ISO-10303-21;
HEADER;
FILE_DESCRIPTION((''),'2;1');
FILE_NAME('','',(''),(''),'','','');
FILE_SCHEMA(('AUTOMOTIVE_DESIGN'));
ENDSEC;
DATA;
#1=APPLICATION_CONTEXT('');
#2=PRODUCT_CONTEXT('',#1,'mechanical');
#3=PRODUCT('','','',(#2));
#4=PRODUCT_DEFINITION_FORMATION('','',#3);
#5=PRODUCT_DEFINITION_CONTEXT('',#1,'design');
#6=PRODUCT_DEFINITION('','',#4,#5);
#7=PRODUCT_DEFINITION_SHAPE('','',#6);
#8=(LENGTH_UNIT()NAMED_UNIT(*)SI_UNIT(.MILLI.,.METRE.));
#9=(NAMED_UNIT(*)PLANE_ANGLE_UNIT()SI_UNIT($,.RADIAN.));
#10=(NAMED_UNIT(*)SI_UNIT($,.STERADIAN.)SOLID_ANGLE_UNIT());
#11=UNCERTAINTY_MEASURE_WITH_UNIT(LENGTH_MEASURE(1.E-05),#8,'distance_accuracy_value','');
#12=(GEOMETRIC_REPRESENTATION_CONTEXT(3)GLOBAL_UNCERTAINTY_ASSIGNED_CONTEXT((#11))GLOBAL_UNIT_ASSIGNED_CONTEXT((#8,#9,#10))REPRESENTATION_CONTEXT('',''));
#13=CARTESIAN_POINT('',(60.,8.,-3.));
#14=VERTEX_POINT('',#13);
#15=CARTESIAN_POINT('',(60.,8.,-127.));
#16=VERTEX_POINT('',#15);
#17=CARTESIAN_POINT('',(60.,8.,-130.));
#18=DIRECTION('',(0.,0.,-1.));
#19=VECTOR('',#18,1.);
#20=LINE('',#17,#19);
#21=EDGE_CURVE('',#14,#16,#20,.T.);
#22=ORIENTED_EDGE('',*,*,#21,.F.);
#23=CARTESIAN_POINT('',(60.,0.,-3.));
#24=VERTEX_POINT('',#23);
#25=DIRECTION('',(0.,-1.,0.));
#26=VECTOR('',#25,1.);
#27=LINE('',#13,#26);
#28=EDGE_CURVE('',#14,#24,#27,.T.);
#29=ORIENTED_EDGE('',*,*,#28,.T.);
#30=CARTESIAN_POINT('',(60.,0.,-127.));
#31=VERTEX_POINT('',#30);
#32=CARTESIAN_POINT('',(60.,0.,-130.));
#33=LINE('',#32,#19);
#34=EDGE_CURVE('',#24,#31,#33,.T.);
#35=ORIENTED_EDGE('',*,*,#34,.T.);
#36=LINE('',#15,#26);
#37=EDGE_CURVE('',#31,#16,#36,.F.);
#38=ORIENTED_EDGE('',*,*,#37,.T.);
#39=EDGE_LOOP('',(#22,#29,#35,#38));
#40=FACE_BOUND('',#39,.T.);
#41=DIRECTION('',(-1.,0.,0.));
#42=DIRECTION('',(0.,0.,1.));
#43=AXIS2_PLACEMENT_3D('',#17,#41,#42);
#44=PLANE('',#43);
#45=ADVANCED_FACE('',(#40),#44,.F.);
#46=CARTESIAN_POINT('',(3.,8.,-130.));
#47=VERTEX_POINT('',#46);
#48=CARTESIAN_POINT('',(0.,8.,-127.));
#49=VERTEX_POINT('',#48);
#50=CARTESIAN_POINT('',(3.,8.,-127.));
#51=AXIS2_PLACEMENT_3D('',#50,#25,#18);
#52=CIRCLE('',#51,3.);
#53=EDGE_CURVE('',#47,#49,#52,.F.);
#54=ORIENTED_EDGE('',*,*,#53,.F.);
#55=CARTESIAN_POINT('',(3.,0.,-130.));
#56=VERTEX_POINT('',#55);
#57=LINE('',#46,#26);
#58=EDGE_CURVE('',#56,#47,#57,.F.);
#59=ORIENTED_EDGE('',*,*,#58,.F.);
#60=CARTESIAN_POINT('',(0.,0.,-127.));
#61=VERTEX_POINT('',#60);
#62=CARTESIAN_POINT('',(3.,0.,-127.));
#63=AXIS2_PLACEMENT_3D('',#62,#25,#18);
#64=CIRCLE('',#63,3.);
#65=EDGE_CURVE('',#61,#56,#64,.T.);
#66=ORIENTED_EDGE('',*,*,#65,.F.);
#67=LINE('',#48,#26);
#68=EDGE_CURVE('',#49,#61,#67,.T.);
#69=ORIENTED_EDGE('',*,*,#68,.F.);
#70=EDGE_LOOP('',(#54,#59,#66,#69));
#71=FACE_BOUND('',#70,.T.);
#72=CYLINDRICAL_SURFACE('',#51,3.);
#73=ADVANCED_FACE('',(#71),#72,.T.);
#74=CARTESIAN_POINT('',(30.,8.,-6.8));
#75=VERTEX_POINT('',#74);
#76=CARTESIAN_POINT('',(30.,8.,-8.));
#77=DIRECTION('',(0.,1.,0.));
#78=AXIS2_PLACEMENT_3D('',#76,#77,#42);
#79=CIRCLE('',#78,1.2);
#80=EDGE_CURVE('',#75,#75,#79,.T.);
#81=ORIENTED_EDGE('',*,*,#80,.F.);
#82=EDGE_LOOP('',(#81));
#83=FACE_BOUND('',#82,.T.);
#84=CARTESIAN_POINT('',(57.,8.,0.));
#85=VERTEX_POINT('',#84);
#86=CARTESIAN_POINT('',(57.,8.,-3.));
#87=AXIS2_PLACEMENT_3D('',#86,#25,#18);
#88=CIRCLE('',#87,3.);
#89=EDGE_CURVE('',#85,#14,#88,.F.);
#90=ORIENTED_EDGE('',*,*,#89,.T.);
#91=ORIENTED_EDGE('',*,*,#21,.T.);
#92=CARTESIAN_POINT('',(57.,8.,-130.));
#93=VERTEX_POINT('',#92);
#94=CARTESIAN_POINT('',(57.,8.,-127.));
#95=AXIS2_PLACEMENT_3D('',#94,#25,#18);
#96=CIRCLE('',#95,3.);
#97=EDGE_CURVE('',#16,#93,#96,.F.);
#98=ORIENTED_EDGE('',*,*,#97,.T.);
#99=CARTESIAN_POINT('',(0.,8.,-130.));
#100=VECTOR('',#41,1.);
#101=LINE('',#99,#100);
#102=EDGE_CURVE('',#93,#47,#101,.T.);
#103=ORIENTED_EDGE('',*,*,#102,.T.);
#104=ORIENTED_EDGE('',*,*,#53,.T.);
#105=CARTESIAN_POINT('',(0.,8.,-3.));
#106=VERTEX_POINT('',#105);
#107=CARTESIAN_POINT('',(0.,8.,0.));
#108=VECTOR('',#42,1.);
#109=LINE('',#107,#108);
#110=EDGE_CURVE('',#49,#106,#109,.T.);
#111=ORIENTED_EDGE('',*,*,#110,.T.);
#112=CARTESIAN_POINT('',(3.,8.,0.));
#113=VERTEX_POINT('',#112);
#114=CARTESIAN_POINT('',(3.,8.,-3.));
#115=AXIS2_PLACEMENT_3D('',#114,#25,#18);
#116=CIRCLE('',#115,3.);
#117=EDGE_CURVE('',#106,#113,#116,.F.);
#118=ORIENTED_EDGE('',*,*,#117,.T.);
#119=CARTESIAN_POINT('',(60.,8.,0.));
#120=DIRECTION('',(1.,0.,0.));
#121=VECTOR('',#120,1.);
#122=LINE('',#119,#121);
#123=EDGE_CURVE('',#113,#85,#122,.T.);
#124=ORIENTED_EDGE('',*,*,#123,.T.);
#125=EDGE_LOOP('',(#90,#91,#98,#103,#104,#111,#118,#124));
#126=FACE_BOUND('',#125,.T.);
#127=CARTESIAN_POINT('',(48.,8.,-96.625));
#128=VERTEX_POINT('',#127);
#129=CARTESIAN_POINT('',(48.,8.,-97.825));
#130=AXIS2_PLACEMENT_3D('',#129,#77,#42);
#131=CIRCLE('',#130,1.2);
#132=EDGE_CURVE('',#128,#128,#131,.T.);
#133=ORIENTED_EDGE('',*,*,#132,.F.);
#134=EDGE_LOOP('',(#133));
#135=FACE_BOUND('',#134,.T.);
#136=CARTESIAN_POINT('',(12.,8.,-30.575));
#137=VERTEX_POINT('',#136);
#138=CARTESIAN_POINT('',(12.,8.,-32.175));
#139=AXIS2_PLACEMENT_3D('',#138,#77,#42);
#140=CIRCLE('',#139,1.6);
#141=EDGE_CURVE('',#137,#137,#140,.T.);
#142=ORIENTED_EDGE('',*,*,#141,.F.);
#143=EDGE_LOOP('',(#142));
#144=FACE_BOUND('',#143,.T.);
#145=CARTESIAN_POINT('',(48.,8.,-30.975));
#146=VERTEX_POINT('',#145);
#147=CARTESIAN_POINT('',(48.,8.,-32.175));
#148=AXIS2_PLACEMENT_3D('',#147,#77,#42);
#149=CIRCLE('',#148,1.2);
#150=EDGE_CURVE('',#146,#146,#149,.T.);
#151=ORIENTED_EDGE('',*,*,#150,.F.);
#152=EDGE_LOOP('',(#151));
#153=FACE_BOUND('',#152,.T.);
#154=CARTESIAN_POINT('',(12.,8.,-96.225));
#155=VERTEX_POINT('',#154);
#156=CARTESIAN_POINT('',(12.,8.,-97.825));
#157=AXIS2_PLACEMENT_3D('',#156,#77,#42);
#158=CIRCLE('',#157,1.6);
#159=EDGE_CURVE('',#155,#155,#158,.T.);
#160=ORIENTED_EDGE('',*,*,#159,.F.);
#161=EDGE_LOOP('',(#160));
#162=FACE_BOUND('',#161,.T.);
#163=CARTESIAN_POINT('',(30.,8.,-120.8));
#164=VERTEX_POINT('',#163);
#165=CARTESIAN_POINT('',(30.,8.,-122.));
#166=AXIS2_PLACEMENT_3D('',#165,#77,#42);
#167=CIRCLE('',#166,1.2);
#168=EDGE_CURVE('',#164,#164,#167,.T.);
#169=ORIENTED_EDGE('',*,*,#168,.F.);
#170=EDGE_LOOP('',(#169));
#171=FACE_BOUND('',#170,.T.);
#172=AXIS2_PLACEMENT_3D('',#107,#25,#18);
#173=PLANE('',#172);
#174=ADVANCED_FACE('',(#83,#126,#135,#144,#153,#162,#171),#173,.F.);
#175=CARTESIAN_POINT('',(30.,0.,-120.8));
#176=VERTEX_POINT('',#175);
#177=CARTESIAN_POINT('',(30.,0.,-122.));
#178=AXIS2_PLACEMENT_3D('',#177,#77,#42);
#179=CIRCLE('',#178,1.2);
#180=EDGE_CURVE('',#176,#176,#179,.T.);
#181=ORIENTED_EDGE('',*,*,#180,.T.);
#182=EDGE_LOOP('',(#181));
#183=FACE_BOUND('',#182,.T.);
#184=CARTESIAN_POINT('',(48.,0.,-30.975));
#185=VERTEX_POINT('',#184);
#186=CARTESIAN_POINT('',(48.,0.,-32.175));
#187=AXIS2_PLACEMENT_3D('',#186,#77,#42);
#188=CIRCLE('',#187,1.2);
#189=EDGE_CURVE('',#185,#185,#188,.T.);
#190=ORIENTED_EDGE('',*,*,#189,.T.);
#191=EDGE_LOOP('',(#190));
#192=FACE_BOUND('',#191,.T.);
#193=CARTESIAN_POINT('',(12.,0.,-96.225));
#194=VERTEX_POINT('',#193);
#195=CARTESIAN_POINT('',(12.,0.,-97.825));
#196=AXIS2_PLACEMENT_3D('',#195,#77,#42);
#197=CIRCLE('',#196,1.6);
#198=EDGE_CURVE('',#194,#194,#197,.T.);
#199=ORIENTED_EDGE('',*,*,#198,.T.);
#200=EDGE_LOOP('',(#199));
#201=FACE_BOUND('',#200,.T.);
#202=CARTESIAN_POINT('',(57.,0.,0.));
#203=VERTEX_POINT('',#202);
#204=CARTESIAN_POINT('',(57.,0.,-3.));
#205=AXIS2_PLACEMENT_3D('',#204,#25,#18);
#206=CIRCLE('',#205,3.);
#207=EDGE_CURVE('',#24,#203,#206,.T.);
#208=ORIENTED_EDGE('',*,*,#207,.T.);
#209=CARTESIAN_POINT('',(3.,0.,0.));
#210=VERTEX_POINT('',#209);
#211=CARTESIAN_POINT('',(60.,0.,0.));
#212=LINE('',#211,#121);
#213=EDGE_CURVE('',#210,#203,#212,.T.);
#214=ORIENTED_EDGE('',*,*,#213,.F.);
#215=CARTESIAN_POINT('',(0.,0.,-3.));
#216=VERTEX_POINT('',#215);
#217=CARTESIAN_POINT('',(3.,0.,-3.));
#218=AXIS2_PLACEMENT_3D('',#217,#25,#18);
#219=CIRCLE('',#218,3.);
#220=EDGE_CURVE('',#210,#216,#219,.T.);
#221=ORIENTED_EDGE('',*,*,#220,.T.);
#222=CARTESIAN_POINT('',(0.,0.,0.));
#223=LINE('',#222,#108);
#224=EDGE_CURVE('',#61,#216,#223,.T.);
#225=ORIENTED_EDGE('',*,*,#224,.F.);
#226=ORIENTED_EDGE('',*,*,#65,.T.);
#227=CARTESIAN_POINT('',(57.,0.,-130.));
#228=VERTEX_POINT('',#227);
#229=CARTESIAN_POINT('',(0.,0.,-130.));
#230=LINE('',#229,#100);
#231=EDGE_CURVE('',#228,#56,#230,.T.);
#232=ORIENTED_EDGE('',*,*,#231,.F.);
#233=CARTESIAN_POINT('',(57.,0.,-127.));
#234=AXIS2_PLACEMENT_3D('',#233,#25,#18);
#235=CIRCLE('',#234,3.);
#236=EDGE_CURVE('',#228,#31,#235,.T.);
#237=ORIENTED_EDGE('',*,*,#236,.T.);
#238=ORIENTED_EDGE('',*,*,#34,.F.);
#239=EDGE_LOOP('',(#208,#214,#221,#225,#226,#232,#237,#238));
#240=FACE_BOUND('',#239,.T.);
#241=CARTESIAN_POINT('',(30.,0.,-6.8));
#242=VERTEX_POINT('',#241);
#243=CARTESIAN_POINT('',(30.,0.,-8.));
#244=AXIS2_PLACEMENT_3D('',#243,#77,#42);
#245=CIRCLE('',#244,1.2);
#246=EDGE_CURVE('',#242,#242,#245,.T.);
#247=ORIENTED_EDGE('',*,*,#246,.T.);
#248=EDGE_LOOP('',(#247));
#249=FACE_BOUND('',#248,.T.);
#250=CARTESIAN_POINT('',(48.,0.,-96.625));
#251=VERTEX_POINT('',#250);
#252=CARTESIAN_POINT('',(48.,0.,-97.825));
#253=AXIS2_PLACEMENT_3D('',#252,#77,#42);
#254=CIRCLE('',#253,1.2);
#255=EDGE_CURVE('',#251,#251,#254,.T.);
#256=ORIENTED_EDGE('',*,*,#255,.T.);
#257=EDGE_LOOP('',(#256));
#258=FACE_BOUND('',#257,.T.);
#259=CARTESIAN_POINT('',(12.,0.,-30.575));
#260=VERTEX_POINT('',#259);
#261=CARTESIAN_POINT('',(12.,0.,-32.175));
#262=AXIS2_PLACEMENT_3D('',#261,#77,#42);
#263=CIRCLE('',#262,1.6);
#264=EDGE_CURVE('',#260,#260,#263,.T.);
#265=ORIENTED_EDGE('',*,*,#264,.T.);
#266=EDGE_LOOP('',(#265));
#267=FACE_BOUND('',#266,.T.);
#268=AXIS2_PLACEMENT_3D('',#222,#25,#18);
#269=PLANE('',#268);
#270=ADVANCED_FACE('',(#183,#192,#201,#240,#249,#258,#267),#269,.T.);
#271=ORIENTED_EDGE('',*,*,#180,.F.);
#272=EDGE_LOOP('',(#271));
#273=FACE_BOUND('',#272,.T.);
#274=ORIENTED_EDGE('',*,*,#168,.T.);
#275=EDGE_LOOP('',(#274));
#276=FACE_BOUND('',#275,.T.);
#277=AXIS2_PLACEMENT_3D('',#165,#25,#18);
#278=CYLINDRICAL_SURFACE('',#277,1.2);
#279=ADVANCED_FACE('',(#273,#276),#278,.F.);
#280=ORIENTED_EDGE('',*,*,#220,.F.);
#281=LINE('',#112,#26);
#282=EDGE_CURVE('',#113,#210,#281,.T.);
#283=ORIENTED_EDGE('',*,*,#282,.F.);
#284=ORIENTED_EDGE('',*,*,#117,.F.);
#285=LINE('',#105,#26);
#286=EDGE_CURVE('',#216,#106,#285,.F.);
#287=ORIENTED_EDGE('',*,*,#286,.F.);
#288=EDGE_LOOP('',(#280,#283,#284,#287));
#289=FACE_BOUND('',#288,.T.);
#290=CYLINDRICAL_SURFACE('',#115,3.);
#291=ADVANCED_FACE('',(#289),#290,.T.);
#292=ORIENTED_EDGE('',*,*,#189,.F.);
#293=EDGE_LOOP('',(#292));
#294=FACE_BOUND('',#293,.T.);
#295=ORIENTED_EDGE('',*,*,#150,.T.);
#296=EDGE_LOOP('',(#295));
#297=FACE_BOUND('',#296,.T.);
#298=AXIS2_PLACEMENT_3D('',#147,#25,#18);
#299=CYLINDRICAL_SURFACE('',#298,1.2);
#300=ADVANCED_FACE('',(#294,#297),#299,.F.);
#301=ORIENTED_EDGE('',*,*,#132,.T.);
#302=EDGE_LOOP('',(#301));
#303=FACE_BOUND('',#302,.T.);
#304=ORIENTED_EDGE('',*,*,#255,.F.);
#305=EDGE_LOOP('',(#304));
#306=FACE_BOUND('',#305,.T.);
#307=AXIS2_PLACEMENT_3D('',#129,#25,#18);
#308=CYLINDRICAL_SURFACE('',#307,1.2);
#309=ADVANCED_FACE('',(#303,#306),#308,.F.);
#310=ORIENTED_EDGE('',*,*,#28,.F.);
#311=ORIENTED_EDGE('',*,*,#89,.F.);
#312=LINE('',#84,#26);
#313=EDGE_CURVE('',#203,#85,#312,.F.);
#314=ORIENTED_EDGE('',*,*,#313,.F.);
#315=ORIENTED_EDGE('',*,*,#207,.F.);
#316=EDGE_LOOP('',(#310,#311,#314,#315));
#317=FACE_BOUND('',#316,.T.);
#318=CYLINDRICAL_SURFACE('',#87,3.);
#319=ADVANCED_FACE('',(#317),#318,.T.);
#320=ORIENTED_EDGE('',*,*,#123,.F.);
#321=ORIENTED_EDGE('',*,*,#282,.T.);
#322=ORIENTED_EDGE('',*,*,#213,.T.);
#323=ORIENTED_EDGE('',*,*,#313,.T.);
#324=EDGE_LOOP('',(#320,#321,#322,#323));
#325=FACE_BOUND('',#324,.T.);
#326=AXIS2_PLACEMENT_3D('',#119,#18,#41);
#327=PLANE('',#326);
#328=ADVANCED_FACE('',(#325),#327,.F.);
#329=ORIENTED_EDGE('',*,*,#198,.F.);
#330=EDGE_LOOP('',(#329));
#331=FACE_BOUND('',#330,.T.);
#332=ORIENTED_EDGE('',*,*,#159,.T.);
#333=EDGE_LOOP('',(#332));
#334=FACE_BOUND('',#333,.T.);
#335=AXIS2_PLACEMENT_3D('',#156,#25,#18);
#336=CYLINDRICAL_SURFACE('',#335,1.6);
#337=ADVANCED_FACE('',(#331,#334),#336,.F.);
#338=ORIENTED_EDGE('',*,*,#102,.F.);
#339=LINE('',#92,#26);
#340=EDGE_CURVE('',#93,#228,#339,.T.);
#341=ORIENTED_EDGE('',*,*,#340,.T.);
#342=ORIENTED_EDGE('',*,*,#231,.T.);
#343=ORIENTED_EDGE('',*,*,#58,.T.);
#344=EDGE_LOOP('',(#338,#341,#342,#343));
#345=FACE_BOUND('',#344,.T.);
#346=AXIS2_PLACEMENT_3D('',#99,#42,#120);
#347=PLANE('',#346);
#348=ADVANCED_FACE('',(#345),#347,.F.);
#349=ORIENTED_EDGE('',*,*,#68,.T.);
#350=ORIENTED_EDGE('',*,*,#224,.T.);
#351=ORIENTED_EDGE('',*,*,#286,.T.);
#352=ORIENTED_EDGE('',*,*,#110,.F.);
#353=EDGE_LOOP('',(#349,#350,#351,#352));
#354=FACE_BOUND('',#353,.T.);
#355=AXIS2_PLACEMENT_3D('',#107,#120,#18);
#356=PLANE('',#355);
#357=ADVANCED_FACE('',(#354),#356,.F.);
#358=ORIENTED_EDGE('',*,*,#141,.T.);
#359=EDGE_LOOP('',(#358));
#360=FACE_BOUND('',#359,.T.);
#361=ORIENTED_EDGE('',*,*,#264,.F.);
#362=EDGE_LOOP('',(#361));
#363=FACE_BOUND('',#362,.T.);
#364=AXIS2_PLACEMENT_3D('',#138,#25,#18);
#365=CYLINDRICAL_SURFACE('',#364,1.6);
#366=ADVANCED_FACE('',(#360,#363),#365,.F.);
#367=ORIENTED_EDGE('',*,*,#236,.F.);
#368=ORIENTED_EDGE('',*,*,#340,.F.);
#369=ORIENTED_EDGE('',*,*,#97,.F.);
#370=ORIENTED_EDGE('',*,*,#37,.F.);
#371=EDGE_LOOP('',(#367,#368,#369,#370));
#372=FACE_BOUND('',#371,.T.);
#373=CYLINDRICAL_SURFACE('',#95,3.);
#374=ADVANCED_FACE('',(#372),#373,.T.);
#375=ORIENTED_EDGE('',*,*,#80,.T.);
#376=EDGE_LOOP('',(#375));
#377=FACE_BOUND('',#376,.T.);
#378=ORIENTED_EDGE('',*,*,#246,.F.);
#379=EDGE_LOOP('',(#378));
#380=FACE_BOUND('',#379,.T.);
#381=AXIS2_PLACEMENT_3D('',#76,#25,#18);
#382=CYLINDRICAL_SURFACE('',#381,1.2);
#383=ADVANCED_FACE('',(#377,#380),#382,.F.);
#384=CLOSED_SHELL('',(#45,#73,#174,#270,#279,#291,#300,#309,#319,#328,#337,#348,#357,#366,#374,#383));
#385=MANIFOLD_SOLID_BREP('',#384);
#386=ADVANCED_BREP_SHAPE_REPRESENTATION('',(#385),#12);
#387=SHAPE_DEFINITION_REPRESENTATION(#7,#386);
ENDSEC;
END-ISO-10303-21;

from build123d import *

# Parameters (mm, degrees)
SKETCH1_W           = 60
SKETCH1_H           = 130
SKETCH1_R           = 1.6
SKETCH1_R_2         = 1.2
BOSS_EXTRUDE1_DEPTH = 8
FILLET1_R           = 3


with BuildPart() as part:
    # Sketch1 → Boss-Extrude1 (new body)
    with BuildSketch(Plane(origin=(0, 0, 0), x_dir=(1, 0, 0), z_dir=(0, 1, 0))):
        with Locations((30, 65)):
            Rectangle(SKETCH1_W, SKETCH1_H)
        with Locations(Location((12, 97.825, 0), (0, 0, 270))):
            Circle(SKETCH1_R, mode=Mode.SUBTRACT)
        with Locations(Location((12, 32.175, 0), (0, 0, 270))):
            Circle(SKETCH1_R, mode=Mode.SUBTRACT)
        with Locations(Location((48, 97.825, 0), (0, 0, 270))):
            Circle(SKETCH1_R_2, mode=Mode.SUBTRACT)
        with Locations(Location((48, 32.175, 0), (0, 0, 270))):
            Circle(SKETCH1_R_2, mode=Mode.SUBTRACT)
        with Locations(Location((30, 8, 0), (0, 0, 270))):
            Circle(SKETCH1_R_2, mode=Mode.SUBTRACT)
        with Locations(Location((30, 122, 0), (0, 0, 270))):
            Circle(SKETCH1_R_2, mode=Mode.SUBTRACT)
    extrude(amount=BOSS_EXTRUDE1_DEPTH)

    # Fillet1
    fillet1_edges = [part.edges().sort_by_distance(p)[0] for p in [
        (0, 4, 0),
        (0, 4, -130),
        (60, 4, -130),
        (60, 4, 0),
    ]]
    fillet(fillet1_edges, radius=FILLET1_R)


solid = part.part
